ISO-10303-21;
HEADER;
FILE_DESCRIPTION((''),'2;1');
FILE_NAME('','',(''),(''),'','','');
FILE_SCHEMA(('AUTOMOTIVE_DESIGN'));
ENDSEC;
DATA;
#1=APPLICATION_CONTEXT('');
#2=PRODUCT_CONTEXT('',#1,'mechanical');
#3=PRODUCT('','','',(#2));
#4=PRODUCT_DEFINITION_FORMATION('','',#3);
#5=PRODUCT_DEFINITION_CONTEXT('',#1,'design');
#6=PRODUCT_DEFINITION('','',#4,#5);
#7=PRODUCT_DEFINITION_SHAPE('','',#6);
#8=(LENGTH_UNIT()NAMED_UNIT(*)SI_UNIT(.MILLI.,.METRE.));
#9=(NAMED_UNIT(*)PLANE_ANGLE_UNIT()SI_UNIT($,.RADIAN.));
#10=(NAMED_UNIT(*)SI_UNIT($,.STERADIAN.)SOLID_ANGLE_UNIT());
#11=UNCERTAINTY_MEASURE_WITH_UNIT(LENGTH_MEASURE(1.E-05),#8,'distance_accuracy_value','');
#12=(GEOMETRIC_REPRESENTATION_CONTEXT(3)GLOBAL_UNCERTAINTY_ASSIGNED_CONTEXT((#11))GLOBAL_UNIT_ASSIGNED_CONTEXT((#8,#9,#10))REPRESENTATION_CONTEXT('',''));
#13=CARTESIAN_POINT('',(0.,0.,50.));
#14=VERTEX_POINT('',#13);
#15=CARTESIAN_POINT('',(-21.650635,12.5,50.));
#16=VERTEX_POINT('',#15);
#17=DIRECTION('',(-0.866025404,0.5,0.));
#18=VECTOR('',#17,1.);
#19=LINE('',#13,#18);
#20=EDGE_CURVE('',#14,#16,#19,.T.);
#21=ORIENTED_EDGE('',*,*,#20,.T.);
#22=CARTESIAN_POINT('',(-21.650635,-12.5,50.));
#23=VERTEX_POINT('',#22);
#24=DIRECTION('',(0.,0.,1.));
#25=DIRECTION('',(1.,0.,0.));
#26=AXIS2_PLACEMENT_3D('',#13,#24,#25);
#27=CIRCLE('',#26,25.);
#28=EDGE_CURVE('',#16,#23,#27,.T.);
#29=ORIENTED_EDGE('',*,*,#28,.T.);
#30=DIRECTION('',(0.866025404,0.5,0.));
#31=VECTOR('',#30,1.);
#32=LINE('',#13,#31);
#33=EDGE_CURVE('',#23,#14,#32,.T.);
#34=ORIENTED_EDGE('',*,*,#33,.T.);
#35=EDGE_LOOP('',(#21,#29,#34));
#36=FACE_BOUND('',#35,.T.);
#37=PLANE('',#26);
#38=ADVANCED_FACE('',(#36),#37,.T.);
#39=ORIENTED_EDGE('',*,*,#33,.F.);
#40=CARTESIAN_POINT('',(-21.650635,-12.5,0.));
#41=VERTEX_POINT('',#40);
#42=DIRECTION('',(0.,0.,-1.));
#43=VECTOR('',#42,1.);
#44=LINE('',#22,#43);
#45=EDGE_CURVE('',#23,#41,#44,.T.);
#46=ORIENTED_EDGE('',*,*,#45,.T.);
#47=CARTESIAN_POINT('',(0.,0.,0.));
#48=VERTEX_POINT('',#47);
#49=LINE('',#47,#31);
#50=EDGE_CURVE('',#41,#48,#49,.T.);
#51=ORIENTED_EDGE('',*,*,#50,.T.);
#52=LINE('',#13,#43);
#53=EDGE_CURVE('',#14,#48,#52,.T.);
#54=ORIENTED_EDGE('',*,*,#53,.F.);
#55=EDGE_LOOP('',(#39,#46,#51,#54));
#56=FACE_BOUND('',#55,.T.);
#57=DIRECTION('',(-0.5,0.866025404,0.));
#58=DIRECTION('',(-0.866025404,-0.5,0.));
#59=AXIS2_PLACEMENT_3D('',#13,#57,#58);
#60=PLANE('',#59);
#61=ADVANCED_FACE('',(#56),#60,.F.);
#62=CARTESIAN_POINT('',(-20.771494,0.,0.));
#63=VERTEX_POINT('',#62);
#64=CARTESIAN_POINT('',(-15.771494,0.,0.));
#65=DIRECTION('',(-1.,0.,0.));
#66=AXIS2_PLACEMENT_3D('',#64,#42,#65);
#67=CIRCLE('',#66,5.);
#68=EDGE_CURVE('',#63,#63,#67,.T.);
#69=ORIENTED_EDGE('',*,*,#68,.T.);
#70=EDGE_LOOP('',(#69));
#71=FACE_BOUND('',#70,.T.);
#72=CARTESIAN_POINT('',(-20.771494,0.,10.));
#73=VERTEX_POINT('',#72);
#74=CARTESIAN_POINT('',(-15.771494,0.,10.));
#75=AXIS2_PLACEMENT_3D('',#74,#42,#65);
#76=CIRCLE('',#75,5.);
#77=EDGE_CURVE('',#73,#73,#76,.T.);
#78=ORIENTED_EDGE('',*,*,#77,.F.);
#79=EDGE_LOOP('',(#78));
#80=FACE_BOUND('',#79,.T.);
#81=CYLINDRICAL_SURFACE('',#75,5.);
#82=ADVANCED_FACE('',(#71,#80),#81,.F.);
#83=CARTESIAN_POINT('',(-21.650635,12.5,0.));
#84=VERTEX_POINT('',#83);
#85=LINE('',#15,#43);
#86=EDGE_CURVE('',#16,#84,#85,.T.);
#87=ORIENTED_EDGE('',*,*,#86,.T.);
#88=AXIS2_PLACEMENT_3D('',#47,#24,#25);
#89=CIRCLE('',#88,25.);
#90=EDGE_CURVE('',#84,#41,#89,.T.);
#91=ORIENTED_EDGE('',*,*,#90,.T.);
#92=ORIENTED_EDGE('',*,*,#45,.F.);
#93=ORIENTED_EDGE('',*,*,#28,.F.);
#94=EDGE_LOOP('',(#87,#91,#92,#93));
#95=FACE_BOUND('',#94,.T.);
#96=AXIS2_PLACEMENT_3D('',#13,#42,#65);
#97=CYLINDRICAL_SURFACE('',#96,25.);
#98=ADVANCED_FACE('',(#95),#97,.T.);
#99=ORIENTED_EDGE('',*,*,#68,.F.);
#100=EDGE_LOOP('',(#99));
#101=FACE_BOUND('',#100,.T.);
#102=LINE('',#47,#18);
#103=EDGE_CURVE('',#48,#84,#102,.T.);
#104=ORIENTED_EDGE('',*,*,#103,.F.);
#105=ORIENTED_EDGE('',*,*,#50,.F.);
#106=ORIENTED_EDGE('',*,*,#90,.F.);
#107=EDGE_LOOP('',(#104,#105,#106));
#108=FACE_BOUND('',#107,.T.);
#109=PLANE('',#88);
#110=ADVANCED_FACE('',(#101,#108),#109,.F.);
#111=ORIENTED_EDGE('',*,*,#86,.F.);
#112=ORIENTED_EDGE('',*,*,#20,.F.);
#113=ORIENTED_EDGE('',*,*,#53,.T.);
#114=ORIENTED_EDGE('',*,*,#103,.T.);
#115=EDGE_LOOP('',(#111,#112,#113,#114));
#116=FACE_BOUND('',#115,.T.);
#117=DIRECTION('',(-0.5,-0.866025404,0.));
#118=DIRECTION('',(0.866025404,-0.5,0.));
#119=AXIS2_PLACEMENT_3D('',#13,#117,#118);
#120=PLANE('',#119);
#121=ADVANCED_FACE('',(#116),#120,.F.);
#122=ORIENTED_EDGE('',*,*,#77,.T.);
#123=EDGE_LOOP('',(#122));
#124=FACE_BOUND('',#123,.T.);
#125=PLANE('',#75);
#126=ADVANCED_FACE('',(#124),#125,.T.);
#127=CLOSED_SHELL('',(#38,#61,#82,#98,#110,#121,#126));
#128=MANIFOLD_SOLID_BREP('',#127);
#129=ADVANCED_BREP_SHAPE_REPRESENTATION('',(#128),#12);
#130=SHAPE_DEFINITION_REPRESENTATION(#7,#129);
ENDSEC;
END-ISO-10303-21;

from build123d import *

# Parameters (mm, degrees)
SALIENTE_EXTRUIR1_DEPTH = 50
CROQUIS2_R              = 5
CORTAR_EXTRUIR1_DEPTH   = 10


with BuildPart() as part:
    # Croquis1 → Saliente-Extruir1 (new body)
    with BuildSketch(Plane.XY):
        with BuildLine():
            Line((0, 0), (-21.650635095, 12.5))
            ThreePointArc((-21.650635095, 12.5), (-25, 0), (-21.650635095, -12.5))
            Line((-21.650635095, -12.5), (0, 0))
        make_face()
    extrude(amount=SALIENTE_EXTRUIR1_DEPTH)

    # Croquis2 → Cortar-Extruir1 (cut)
    with BuildSketch(Plane(origin=(0, 0, 0), x_dir=(-1, 0, 0), z_dir=(0, 0, -1))):
        with Locations((15.771493546, 0)):
            Circle(CROQUIS2_R)
    extrude(amount=-CORTAR_EXTRUIR1_DEPTH, mode=Mode.SUBTRACT)


solid = part.part
